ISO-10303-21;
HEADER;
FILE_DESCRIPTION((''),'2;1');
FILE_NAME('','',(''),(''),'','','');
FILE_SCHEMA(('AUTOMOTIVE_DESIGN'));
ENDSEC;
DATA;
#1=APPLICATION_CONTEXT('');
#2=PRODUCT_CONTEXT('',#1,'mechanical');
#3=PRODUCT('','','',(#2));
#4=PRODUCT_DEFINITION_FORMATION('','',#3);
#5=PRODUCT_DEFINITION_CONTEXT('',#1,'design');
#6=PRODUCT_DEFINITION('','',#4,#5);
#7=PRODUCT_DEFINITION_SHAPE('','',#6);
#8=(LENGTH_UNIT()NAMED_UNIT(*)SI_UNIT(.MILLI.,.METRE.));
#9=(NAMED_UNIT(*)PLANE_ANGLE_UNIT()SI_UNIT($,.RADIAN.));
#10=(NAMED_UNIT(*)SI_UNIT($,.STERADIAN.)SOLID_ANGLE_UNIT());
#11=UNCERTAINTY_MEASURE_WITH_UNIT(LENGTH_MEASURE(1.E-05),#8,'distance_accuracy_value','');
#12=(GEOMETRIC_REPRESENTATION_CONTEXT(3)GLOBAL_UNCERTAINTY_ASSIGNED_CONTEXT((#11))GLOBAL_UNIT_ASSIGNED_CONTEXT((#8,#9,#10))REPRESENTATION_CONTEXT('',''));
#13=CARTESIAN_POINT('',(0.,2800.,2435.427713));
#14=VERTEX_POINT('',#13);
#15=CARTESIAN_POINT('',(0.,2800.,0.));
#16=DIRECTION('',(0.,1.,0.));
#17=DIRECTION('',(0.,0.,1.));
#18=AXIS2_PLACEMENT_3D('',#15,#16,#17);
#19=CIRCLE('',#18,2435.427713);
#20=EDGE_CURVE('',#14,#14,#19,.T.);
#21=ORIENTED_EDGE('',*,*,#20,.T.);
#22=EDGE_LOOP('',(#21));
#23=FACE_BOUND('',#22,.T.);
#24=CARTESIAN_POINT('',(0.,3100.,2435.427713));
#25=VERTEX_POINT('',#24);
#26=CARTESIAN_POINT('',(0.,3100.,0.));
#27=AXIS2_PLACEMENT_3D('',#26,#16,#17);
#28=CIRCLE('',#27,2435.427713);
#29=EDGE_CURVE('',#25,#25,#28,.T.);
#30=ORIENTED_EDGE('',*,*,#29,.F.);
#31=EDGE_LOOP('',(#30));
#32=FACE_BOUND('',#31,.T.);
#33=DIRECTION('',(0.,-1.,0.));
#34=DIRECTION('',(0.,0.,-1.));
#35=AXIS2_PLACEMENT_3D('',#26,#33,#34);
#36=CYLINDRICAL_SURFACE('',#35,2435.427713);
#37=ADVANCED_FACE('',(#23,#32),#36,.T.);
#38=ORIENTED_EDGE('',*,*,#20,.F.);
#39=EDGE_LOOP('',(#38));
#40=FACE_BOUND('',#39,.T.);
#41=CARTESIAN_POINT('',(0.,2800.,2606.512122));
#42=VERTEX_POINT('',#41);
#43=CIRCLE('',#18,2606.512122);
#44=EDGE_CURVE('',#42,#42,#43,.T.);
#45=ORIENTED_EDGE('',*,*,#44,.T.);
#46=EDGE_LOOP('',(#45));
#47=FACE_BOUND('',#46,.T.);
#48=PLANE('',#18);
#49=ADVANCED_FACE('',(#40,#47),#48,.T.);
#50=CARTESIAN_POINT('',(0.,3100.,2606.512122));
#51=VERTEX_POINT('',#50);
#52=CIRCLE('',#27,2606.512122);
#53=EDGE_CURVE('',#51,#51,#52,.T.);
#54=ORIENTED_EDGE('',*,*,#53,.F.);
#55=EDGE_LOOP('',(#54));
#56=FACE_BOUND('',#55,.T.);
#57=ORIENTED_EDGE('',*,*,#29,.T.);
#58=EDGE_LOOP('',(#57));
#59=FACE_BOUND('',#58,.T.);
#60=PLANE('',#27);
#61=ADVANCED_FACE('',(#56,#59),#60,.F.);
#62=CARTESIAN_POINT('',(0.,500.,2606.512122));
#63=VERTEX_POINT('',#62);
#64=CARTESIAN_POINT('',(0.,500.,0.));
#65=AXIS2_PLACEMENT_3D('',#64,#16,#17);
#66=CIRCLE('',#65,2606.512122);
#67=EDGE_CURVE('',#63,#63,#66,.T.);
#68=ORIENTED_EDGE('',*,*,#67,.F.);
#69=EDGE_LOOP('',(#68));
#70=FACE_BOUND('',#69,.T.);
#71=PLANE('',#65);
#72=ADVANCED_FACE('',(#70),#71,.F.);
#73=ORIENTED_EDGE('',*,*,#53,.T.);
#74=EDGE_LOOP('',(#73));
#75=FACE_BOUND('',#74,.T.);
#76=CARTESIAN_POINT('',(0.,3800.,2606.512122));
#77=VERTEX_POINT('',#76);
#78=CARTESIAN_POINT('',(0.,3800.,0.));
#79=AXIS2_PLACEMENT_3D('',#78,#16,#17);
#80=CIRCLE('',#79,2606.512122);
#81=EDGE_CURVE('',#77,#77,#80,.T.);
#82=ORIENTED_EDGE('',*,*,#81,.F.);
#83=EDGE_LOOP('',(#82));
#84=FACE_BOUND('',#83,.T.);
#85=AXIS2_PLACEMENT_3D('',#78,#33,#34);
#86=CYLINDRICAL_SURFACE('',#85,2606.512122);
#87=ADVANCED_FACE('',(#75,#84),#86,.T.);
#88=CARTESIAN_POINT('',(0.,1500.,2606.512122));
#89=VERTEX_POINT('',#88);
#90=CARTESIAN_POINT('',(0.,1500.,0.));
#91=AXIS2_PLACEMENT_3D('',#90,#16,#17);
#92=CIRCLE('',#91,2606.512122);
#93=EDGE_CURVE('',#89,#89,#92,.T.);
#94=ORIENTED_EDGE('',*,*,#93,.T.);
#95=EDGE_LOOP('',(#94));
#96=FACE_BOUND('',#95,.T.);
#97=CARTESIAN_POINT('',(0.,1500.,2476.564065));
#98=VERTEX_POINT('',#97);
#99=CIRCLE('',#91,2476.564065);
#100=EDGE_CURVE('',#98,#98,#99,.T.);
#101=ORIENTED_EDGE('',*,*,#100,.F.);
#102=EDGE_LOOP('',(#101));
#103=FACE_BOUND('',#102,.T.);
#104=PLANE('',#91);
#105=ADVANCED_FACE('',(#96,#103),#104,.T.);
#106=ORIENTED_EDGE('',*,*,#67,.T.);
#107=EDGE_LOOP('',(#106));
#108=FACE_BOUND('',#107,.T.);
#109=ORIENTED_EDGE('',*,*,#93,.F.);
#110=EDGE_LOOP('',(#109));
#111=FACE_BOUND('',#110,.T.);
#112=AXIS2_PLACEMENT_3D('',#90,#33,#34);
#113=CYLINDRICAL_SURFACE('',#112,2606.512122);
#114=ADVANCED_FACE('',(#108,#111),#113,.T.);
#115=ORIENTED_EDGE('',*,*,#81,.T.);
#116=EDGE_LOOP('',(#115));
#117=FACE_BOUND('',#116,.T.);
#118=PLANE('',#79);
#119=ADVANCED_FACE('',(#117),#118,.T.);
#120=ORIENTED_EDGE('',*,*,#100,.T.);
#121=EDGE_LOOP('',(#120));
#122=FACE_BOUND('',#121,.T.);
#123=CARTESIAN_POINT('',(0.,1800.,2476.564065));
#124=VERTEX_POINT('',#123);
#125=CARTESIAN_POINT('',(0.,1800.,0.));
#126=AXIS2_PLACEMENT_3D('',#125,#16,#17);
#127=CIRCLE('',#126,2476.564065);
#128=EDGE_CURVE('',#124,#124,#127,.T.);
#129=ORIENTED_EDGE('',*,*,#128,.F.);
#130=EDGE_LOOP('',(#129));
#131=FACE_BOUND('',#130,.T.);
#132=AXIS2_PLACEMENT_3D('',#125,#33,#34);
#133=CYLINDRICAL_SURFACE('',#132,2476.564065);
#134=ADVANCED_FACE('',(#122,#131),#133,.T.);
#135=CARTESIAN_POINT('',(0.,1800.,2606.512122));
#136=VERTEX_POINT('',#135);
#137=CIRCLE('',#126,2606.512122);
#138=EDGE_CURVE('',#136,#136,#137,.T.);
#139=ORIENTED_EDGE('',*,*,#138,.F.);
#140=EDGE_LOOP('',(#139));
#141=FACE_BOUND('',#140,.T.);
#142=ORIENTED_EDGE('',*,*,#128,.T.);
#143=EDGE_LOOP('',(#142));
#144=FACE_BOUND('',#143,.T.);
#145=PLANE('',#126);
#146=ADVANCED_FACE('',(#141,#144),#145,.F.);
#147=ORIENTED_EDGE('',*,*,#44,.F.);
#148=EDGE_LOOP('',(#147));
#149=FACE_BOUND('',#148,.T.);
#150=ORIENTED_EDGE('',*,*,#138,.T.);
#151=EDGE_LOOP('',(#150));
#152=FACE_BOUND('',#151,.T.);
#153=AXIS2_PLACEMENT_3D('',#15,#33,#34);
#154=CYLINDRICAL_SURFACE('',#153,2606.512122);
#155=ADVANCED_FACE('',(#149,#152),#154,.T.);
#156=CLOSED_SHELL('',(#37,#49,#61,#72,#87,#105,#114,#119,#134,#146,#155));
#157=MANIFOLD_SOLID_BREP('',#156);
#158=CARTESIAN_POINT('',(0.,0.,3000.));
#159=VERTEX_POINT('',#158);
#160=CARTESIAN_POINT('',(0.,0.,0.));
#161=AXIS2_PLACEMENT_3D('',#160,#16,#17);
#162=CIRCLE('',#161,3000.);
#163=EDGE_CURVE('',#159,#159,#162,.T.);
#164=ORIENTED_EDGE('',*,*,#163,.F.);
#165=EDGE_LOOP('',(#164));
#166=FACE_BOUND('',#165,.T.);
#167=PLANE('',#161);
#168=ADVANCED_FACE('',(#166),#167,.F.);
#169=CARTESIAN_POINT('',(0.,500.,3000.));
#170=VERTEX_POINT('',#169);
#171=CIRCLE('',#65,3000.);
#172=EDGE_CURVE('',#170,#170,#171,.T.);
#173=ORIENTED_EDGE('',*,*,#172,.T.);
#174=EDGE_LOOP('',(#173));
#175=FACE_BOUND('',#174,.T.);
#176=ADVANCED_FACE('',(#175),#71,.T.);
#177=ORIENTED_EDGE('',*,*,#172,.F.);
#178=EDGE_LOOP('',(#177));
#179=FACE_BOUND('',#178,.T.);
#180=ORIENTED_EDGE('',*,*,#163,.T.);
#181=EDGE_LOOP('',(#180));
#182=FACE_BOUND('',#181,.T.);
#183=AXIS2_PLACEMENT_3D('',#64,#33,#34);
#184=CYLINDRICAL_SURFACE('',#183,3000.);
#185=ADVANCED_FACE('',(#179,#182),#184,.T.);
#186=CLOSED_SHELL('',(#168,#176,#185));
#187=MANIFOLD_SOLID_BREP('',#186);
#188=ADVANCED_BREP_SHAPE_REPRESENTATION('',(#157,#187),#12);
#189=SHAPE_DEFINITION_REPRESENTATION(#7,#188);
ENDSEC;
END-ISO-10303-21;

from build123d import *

# Parameters (mm, degrees)
SKETCH1_R           = 3000
BOSS_EXTRUDE1_DEPTH = 500
SKETCH2_R           = 2606.512121569
BOSS_EXTRUDE2_DEPTH = 1000
SKETCH3_R           = 2476.564065313
BOSS_EXTRUDE3_DEPTH = 300
SKETCH4_R           = 2606.512121569
BOSS_EXTRUDE4_DEPTH = 1000
SKETCH5_R           = 2435.427712843
BOSS_EXTRUDE5_DEPTH = 300
SKETCH6_R           = 2606.512121569
BOSS_EXTRUDE6_DEPTH = 700


with BuildPart() as part:
    # Sketch1 → Boss-Extrude1 (new body)
    with BuildSketch(Plane(origin=(0, 0, 0), x_dir=(1, 0, 0), z_dir=(0, 1, 0))):
        Circle(SKETCH1_R)
    extrude(amount=BOSS_EXTRUDE1_DEPTH)


with BuildPart() as body_2:
    # Sketch2 → Boss-Extrude2 (new body)
    with BuildSketch(Plane(origin=(0, 500, 0), x_dir=(1, 0, 0), z_dir=(0, 1, 0))):
        Circle(SKETCH2_R)
    extrude(amount=BOSS_EXTRUDE2_DEPTH)

    # Sketch3 → Boss-Extrude3 (add)
    with BuildSketch(Plane(origin=(0, 1500, 0), x_dir=(1, 0, 0), z_dir=(0, 1, 0))):
        Circle(SKETCH3_R)
    extrude(amount=BOSS_EXTRUDE3_DEPTH)

    # Sketch4 → Boss-Extrude4 (add)
    with BuildSketch(Plane(origin=(0, 1800, 0), x_dir=(1, 0, 0), z_dir=(0, 1, 0))):
        Circle(SKETCH4_R)
    extrude(amount=BOSS_EXTRUDE4_DEPTH)

    # Sketch5 → Boss-Extrude5 (add)
    with BuildSketch(Plane(origin=(0, 2800, 0), x_dir=(1, 0, 0), z_dir=(0, 1, 0))):
        Circle(SKETCH5_R)
    extrude(amount=BOSS_EXTRUDE5_DEPTH)

    # Sketch6 → Boss-Extrude6 (add)
    with BuildSketch(Plane(origin=(0, 3100, 0), x_dir=(1, 0, 0), z_dir=(0, 1, 0))):
        Circle(SKETCH6_R)
    extrude(amount=BOSS_EXTRUDE6_DEPTH)


solid = Compound([part.part, body_2.part])
